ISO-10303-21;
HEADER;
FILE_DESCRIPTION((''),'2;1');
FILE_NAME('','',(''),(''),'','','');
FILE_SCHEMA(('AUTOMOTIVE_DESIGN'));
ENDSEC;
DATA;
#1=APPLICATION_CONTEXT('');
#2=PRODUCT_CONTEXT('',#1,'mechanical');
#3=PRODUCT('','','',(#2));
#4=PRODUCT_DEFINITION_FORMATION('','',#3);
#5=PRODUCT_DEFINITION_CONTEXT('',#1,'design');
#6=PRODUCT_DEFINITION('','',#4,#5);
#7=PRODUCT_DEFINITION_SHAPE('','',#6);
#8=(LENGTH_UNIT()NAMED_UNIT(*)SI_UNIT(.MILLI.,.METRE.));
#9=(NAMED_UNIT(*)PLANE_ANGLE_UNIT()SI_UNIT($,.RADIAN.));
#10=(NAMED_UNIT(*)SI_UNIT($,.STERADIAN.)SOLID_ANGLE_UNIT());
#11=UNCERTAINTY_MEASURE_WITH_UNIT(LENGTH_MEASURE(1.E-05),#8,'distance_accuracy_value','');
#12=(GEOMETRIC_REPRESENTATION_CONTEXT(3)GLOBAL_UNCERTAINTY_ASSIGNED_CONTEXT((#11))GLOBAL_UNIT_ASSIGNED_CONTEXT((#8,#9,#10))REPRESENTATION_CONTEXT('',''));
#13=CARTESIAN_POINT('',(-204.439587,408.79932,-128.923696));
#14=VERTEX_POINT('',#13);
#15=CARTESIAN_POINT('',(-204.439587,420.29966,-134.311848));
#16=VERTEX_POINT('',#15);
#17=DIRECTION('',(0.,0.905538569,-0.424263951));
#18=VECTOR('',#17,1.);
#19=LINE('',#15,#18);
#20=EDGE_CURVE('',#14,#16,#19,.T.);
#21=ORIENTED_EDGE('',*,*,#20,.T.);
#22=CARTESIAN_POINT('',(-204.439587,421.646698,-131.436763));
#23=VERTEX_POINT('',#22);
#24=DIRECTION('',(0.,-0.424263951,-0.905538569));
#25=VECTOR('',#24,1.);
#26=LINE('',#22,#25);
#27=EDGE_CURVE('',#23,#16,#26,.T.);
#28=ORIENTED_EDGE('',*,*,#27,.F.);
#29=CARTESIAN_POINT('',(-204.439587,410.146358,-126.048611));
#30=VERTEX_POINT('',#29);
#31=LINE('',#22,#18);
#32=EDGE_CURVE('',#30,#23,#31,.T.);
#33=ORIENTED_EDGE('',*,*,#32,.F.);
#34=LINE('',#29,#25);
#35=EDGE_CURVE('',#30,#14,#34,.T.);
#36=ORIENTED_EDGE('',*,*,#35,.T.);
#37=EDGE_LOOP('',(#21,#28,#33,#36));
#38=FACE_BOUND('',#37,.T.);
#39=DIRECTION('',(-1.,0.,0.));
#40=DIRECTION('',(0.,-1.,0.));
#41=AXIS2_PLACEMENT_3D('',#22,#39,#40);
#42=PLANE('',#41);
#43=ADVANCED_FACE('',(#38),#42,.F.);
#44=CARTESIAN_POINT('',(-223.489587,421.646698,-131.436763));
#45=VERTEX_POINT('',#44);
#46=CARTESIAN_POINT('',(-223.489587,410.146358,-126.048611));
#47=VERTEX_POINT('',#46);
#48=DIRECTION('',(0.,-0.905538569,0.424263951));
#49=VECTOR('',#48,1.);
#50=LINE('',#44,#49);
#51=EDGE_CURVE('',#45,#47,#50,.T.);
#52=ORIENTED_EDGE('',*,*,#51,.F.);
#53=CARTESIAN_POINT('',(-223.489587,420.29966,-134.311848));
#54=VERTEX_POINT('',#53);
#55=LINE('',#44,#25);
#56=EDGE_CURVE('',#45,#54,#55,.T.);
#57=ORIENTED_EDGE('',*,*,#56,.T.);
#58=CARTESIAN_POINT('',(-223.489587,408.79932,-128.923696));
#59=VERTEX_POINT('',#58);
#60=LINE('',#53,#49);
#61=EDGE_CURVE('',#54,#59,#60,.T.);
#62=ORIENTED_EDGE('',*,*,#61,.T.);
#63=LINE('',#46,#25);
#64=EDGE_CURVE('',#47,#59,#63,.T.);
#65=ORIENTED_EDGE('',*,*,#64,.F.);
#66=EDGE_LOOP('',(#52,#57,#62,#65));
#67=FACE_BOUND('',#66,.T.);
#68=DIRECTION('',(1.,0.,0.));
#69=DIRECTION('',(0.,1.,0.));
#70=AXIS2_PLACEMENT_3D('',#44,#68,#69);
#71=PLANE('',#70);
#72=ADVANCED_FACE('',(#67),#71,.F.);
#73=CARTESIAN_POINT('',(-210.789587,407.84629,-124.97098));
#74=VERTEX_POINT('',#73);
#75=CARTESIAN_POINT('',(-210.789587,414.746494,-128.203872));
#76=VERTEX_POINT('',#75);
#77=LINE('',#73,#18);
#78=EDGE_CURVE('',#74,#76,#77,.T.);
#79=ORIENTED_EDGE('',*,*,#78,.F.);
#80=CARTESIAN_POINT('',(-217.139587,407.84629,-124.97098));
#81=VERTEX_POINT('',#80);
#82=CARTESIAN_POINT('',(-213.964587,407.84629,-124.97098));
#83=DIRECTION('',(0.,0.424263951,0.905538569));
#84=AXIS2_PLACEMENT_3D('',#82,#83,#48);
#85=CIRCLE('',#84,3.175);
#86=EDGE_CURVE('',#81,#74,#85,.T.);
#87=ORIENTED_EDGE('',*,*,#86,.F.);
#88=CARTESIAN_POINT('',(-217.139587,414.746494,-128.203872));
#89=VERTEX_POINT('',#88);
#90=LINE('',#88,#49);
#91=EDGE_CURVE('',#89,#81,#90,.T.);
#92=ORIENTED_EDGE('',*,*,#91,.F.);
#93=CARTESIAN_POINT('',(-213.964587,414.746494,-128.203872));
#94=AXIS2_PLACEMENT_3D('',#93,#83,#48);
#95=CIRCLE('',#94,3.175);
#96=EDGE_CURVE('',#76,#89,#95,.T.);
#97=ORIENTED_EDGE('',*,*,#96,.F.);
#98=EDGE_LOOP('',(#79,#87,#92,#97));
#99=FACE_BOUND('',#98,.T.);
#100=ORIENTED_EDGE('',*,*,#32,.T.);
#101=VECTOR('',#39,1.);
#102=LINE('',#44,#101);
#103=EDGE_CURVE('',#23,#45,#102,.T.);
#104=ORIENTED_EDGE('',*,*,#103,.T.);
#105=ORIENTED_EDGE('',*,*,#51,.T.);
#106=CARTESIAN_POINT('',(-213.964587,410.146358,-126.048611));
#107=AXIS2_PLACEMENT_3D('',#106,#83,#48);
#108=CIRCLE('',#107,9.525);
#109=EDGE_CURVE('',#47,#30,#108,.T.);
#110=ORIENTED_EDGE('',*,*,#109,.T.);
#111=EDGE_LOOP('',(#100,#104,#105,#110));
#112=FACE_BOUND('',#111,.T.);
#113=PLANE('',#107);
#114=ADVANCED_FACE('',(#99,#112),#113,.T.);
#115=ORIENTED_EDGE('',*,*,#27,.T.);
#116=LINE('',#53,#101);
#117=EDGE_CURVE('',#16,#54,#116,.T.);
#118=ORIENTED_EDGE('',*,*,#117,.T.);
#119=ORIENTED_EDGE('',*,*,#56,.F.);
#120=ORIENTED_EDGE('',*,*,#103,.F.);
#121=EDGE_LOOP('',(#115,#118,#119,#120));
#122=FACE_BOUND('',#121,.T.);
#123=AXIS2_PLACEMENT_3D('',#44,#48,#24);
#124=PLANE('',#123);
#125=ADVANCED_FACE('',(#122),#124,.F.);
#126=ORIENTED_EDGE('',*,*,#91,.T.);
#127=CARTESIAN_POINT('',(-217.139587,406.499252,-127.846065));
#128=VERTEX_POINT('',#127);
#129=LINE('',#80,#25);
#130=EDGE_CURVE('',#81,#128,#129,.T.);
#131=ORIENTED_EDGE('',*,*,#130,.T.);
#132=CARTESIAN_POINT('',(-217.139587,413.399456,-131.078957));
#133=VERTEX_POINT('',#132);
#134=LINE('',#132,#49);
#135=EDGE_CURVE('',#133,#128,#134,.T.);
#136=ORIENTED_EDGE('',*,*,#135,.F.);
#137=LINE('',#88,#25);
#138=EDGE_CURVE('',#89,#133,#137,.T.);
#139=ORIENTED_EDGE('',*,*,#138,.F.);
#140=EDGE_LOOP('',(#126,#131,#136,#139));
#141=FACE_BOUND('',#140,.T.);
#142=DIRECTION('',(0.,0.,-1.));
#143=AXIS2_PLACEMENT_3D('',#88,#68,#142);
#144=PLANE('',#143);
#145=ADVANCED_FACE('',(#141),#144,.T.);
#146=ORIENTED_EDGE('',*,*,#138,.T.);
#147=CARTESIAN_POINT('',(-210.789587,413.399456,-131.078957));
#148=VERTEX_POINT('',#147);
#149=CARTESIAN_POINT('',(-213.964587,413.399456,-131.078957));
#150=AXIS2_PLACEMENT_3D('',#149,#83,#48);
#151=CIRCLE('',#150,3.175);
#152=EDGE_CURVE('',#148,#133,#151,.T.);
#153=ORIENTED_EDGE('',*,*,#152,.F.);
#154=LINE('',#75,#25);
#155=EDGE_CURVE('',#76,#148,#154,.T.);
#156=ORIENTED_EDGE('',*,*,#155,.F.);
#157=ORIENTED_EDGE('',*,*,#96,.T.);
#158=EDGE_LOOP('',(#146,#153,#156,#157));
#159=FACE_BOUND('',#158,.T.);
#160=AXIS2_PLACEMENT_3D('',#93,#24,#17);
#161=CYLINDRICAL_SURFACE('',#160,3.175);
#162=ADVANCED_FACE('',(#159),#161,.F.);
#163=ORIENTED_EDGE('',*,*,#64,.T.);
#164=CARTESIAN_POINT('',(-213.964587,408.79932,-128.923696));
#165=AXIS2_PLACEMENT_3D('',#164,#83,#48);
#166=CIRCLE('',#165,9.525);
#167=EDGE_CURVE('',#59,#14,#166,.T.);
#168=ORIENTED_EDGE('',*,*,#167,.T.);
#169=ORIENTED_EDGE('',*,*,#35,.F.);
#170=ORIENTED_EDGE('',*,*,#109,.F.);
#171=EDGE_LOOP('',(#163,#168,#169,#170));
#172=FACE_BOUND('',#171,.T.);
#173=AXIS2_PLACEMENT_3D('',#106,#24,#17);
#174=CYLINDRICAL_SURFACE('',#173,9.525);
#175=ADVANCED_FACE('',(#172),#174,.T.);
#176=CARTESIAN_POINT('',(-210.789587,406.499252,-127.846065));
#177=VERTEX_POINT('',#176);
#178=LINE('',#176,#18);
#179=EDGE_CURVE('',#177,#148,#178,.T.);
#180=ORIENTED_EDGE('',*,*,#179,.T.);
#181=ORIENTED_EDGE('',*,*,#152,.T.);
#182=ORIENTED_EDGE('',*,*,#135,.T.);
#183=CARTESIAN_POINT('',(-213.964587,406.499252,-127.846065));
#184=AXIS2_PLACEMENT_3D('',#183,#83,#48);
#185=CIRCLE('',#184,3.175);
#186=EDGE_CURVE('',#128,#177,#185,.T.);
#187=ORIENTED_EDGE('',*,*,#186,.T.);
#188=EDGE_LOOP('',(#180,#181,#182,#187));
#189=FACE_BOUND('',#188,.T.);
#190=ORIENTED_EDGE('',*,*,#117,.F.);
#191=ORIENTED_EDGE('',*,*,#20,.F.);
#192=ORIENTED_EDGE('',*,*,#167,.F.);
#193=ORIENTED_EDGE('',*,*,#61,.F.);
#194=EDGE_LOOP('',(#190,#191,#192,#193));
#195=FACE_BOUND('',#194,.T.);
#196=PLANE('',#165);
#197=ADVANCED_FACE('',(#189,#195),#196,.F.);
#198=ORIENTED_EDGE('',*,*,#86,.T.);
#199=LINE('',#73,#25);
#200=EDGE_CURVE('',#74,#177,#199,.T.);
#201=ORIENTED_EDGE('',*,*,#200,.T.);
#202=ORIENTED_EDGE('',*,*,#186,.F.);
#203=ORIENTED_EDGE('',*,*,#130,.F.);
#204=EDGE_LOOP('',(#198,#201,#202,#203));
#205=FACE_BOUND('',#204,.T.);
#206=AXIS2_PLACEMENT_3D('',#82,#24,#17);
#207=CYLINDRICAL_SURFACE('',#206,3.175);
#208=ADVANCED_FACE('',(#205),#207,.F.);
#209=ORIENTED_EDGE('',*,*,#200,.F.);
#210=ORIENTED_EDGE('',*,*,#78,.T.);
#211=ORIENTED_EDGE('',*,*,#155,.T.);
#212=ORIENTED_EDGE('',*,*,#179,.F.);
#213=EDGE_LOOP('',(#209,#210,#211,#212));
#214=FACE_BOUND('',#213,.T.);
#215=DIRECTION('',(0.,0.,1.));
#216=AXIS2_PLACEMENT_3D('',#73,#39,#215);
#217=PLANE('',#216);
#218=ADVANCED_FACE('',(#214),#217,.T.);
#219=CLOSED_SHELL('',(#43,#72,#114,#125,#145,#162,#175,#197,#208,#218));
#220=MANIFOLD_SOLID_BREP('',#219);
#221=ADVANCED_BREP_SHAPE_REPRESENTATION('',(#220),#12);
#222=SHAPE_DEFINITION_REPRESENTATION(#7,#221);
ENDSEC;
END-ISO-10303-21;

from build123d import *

# Parameters (mm, degrees)
BOSS_EXTRUDE1_DEPTH = 3.175


with BuildPart() as part:
    # Sketch1 → Boss-Extrude1 (new body)
    with BuildSketch(Plane(origin=(0, 24.05298106, 51.338092747), x_dir=(1, 0, 0), z_dir=(0, 0.42426395071815903, 0.9055385690963249))):
        with BuildLine():
            Line((-223.489586571, 437.581228051), (-204.439586571, 437.581228051))
            Line((-204.439586571, 437.581228051), (-204.439586571, 424.881228051))
            ThreePointArc((-204.439586571, 424.881228051), (-213.964586571, 415.356228051), (-223.489586571, 424.881228051))
            Line((-223.489586571, 424.881228051), (-223.489586571, 437.581228051))
        make_face()
        with BuildLine():
            Line((-210.789586571, 422.341228051), (-210.789586571, 429.961228051))
            ThreePointArc((-210.789586571, 429.961228051), (-213.964586571, 433.136228051), (-217.139586571, 429.961228051))
            Line((-217.139586571, 429.961228051), (-217.139586571, 422.341228051))
            ThreePointArc((-217.139586571, 422.341228051), (-213.964586571, 419.166228051), (-210.789586571, 422.341228051))
        make_face(mode=Mode.SUBTRACT)
    extrude(amount=BOSS_EXTRUDE1_DEPTH)


solid = part.part
